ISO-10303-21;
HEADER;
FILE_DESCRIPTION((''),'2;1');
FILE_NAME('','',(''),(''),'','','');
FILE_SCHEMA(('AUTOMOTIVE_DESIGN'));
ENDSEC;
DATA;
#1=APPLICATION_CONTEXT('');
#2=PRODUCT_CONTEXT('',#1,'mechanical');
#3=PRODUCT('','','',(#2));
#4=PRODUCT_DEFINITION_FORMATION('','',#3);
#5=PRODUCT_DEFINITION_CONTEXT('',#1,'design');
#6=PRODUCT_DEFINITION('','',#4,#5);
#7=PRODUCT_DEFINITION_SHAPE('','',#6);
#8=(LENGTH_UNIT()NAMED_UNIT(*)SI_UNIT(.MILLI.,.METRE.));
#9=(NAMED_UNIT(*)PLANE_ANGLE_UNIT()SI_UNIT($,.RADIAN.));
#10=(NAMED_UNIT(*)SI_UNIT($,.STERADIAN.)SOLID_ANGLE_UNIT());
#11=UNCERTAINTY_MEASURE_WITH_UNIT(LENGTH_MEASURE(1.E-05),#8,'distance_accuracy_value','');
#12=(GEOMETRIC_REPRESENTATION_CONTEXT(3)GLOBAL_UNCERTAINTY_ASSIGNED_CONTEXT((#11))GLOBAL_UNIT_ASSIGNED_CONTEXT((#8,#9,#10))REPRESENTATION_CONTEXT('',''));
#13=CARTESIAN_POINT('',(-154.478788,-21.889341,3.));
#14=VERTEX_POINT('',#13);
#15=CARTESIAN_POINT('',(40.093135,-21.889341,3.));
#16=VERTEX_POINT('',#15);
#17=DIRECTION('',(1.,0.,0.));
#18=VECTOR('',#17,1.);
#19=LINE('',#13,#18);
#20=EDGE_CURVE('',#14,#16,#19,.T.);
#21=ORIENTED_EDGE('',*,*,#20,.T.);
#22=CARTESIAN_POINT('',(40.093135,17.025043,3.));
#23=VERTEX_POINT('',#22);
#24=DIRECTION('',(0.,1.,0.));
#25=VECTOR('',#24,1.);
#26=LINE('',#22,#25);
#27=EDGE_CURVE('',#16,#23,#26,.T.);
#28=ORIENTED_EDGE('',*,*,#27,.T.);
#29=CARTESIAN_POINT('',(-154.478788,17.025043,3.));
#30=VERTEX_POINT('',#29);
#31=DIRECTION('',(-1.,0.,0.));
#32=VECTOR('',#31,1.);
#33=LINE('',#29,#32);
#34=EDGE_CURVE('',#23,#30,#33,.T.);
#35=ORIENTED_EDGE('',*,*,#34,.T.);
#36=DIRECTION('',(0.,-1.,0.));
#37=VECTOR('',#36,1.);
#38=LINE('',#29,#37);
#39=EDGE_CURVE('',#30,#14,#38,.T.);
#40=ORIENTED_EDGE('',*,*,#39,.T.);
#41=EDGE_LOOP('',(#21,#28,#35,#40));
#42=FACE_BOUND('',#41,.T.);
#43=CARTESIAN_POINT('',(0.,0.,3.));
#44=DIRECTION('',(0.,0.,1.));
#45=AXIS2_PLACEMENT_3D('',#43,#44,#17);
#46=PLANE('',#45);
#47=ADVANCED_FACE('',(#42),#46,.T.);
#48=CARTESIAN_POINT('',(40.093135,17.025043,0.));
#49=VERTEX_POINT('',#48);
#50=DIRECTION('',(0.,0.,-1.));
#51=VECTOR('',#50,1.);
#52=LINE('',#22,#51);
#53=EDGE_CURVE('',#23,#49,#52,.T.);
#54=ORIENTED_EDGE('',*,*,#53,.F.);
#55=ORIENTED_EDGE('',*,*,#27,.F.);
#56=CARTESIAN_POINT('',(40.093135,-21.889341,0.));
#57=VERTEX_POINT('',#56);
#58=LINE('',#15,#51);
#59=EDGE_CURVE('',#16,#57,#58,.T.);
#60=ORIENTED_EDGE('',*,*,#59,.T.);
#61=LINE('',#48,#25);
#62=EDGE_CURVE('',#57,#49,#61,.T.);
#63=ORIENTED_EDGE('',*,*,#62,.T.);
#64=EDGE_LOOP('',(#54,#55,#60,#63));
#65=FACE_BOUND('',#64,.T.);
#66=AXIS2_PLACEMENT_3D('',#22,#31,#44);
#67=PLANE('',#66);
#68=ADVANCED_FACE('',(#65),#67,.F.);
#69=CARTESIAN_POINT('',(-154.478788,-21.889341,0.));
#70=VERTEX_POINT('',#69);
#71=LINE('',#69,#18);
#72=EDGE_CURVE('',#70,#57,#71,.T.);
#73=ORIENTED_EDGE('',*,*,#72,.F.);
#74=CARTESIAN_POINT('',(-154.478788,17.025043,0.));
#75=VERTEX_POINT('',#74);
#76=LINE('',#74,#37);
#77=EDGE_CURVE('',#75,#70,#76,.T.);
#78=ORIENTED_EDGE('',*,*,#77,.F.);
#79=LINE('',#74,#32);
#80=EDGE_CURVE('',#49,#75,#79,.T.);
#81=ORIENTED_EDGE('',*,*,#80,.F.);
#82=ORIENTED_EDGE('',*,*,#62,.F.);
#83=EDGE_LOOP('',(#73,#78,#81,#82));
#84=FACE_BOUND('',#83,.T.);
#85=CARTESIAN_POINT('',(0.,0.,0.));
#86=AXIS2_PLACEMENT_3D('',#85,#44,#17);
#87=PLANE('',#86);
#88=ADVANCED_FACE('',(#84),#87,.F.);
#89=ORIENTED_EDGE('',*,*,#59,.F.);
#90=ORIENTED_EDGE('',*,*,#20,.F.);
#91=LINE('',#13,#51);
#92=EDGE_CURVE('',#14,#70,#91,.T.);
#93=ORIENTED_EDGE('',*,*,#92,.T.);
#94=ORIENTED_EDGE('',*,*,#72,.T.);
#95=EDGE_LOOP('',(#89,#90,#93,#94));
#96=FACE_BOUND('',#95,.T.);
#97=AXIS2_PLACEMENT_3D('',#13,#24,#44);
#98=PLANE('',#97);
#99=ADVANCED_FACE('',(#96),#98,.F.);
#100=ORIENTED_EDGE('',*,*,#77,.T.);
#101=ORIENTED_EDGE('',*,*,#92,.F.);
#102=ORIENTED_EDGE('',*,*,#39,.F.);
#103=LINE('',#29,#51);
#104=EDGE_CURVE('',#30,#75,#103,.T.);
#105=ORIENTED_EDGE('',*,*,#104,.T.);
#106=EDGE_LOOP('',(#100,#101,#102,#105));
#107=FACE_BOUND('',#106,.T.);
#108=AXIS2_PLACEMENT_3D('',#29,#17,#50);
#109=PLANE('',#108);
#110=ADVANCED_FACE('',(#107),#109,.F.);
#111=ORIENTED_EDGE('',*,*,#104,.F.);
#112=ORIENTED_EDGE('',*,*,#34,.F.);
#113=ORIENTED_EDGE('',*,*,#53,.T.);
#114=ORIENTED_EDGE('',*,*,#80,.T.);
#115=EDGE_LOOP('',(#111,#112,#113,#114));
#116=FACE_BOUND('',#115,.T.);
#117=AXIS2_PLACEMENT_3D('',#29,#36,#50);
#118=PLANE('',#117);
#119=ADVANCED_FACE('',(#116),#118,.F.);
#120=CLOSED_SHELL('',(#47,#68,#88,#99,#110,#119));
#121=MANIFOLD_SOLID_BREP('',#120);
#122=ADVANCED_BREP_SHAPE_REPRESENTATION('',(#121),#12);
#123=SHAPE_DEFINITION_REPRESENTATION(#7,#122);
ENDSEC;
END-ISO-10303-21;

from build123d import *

# Parameters (mm, degrees)
CROQUIS1_W              = 194.571923744
CROQUIS1_H              = 38.914384749
SALIENTE_EXTRUIR1_DEPTH = 3


with BuildPart() as part:
    # Croquis1 → Saliente-Extruir1 (new body)
    with BuildSketch(Plane.XY):
        with Locations((-57.192826577, -2.432149046)):
            Rectangle(CROQUIS1_W, CROQUIS1_H)
    extrude(amount=SALIENTE_EXTRUIR1_DEPTH)


solid = part.part
